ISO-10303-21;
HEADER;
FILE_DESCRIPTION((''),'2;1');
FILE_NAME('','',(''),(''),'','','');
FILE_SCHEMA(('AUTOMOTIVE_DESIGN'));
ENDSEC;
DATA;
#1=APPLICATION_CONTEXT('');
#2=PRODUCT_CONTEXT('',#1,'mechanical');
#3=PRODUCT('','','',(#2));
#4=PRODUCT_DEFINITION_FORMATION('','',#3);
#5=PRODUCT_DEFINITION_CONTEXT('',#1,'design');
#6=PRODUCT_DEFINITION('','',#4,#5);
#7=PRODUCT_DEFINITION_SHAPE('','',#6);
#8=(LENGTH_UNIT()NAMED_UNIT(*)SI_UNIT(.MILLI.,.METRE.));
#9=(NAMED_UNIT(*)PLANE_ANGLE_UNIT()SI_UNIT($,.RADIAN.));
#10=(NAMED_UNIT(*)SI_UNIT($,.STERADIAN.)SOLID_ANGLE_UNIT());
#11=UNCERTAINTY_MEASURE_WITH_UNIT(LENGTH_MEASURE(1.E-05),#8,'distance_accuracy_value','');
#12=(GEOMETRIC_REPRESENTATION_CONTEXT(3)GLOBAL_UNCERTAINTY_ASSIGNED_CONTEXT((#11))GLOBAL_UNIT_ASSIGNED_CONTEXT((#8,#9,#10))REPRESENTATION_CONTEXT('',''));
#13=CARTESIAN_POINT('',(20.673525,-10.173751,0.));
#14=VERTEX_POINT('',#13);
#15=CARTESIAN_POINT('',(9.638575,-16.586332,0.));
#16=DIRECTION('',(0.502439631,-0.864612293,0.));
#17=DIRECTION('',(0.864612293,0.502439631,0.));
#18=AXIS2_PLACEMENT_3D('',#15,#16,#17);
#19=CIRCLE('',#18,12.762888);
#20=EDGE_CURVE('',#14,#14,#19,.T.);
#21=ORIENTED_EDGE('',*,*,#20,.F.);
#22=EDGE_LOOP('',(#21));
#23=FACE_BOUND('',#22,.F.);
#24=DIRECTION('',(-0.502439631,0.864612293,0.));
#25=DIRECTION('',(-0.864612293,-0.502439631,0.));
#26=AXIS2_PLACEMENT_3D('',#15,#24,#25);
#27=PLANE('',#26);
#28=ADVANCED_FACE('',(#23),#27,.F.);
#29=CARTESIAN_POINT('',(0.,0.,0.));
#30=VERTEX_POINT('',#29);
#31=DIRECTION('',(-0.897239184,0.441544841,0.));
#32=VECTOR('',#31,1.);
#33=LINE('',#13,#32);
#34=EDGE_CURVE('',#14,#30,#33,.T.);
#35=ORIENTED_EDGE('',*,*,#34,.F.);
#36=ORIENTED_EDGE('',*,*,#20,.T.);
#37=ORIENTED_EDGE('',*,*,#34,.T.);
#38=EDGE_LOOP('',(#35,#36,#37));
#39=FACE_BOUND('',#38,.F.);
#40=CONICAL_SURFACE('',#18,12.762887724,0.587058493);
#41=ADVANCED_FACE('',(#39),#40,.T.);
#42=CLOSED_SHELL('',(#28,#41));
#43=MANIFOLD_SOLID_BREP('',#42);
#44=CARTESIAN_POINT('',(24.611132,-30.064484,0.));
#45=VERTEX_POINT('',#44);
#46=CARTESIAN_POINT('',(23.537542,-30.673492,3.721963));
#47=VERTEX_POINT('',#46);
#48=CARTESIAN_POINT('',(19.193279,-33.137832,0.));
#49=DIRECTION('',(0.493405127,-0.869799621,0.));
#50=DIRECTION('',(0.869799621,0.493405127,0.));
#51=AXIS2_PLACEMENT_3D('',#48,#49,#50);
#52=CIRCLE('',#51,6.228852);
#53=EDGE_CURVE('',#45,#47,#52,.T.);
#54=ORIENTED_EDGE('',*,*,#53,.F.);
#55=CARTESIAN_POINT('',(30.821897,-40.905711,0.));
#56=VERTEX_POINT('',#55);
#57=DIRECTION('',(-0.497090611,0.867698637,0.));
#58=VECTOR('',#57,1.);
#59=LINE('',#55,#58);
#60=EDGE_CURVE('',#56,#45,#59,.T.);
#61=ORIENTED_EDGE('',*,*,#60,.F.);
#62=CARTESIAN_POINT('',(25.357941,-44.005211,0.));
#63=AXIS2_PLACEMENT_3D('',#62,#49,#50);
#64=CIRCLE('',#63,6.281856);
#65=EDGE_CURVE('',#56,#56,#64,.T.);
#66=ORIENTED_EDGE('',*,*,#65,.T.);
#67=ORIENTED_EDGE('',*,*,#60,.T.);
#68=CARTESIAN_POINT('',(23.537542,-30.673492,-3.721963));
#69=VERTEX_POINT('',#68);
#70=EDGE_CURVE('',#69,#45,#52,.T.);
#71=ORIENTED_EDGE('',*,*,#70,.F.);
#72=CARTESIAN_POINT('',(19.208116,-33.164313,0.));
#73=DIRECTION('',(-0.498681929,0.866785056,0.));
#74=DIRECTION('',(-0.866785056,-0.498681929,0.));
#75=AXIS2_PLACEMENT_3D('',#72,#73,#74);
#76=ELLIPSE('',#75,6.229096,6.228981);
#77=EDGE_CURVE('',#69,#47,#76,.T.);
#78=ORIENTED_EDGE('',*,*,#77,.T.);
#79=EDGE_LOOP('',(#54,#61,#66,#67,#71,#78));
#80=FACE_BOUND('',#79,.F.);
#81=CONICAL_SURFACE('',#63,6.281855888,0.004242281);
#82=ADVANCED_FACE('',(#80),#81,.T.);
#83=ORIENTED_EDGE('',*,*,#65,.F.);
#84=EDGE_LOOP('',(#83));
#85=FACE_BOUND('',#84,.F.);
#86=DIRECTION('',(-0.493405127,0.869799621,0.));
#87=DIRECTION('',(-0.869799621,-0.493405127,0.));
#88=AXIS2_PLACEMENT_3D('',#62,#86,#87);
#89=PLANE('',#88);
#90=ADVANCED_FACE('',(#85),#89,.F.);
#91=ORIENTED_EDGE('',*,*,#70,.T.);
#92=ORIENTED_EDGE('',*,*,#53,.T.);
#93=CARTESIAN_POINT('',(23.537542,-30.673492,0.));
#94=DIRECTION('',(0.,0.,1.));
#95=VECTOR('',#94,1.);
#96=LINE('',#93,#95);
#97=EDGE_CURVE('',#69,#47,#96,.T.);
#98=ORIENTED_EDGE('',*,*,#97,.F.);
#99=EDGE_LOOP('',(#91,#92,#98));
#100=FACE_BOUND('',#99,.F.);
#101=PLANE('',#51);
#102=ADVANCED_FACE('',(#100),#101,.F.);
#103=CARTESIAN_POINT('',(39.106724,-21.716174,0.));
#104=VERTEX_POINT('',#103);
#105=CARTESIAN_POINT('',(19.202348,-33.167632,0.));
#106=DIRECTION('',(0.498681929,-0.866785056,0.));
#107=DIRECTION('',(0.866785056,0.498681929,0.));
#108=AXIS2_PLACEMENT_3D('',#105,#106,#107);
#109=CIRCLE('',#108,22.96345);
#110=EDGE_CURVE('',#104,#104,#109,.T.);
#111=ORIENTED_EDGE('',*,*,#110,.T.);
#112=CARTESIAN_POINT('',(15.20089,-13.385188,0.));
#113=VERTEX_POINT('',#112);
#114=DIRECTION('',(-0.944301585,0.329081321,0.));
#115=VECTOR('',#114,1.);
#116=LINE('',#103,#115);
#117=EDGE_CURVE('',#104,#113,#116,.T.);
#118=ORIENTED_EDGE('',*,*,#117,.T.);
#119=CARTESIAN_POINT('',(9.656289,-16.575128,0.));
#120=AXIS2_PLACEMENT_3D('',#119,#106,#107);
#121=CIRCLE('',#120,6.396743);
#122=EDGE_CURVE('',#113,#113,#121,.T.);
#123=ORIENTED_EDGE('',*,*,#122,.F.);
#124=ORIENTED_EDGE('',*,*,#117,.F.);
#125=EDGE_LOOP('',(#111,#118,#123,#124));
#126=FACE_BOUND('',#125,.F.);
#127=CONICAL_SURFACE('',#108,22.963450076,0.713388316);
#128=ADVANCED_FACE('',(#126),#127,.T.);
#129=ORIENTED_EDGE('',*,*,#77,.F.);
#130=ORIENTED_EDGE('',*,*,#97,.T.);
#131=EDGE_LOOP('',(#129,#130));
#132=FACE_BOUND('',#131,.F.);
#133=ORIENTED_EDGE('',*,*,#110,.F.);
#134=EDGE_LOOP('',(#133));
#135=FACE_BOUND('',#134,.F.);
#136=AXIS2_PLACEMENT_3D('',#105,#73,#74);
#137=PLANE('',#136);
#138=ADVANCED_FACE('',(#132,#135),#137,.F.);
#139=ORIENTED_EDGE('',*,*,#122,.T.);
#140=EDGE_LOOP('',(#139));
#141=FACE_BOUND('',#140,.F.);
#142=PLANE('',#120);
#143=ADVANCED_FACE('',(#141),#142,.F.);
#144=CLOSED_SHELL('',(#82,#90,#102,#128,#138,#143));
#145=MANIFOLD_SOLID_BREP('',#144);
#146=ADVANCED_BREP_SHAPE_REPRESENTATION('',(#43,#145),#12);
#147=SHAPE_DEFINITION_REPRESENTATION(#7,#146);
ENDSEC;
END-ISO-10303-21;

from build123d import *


with BuildPart() as f1:
    # F0 (on Top) → F1 (revolve)
    with BuildSketch(Plane.XY):
        Polygon((20.6735245273, -10.1737510542), (0, 0), (9.6385749057, -16.5863316506), align=None)
    revolve(axis=Axis((4.8192874528, -8.2931658253, 0), (0.5024396308, -0.8646122931, 0)))


with BuildPart() as f4:
    # F2 (on Top) → F4 (revolve)
    with BuildSketch(Plane.XY):
        Polygon((15.2008896694, -13.3851878345), (9.6562886611, -16.57512784), (19.2023482047, -33.1676315482), (39.1067235685, -21.7161739657), align=None)
    revolve(axis=Axis((14.4293184329, -24.8713796941, 0), (0.4986819291, -0.8667850562, 0)))

    # F3 (on Top) → F5 (revolve)
    with BuildSketch(Plane.XY):
        Polygon((24.6111322194, -30.0644841045), (19.1932790988, -33.137831626), (25.3579408743, -44.0052105362), (30.8218967437, -40.905710632), align=None)
    revolve(axis=Axis((22.2756099865, -38.5715210811, 0), (0.4934051273, -0.8697996208, 0)))


solid = Compound([f1.part, f4.part])
